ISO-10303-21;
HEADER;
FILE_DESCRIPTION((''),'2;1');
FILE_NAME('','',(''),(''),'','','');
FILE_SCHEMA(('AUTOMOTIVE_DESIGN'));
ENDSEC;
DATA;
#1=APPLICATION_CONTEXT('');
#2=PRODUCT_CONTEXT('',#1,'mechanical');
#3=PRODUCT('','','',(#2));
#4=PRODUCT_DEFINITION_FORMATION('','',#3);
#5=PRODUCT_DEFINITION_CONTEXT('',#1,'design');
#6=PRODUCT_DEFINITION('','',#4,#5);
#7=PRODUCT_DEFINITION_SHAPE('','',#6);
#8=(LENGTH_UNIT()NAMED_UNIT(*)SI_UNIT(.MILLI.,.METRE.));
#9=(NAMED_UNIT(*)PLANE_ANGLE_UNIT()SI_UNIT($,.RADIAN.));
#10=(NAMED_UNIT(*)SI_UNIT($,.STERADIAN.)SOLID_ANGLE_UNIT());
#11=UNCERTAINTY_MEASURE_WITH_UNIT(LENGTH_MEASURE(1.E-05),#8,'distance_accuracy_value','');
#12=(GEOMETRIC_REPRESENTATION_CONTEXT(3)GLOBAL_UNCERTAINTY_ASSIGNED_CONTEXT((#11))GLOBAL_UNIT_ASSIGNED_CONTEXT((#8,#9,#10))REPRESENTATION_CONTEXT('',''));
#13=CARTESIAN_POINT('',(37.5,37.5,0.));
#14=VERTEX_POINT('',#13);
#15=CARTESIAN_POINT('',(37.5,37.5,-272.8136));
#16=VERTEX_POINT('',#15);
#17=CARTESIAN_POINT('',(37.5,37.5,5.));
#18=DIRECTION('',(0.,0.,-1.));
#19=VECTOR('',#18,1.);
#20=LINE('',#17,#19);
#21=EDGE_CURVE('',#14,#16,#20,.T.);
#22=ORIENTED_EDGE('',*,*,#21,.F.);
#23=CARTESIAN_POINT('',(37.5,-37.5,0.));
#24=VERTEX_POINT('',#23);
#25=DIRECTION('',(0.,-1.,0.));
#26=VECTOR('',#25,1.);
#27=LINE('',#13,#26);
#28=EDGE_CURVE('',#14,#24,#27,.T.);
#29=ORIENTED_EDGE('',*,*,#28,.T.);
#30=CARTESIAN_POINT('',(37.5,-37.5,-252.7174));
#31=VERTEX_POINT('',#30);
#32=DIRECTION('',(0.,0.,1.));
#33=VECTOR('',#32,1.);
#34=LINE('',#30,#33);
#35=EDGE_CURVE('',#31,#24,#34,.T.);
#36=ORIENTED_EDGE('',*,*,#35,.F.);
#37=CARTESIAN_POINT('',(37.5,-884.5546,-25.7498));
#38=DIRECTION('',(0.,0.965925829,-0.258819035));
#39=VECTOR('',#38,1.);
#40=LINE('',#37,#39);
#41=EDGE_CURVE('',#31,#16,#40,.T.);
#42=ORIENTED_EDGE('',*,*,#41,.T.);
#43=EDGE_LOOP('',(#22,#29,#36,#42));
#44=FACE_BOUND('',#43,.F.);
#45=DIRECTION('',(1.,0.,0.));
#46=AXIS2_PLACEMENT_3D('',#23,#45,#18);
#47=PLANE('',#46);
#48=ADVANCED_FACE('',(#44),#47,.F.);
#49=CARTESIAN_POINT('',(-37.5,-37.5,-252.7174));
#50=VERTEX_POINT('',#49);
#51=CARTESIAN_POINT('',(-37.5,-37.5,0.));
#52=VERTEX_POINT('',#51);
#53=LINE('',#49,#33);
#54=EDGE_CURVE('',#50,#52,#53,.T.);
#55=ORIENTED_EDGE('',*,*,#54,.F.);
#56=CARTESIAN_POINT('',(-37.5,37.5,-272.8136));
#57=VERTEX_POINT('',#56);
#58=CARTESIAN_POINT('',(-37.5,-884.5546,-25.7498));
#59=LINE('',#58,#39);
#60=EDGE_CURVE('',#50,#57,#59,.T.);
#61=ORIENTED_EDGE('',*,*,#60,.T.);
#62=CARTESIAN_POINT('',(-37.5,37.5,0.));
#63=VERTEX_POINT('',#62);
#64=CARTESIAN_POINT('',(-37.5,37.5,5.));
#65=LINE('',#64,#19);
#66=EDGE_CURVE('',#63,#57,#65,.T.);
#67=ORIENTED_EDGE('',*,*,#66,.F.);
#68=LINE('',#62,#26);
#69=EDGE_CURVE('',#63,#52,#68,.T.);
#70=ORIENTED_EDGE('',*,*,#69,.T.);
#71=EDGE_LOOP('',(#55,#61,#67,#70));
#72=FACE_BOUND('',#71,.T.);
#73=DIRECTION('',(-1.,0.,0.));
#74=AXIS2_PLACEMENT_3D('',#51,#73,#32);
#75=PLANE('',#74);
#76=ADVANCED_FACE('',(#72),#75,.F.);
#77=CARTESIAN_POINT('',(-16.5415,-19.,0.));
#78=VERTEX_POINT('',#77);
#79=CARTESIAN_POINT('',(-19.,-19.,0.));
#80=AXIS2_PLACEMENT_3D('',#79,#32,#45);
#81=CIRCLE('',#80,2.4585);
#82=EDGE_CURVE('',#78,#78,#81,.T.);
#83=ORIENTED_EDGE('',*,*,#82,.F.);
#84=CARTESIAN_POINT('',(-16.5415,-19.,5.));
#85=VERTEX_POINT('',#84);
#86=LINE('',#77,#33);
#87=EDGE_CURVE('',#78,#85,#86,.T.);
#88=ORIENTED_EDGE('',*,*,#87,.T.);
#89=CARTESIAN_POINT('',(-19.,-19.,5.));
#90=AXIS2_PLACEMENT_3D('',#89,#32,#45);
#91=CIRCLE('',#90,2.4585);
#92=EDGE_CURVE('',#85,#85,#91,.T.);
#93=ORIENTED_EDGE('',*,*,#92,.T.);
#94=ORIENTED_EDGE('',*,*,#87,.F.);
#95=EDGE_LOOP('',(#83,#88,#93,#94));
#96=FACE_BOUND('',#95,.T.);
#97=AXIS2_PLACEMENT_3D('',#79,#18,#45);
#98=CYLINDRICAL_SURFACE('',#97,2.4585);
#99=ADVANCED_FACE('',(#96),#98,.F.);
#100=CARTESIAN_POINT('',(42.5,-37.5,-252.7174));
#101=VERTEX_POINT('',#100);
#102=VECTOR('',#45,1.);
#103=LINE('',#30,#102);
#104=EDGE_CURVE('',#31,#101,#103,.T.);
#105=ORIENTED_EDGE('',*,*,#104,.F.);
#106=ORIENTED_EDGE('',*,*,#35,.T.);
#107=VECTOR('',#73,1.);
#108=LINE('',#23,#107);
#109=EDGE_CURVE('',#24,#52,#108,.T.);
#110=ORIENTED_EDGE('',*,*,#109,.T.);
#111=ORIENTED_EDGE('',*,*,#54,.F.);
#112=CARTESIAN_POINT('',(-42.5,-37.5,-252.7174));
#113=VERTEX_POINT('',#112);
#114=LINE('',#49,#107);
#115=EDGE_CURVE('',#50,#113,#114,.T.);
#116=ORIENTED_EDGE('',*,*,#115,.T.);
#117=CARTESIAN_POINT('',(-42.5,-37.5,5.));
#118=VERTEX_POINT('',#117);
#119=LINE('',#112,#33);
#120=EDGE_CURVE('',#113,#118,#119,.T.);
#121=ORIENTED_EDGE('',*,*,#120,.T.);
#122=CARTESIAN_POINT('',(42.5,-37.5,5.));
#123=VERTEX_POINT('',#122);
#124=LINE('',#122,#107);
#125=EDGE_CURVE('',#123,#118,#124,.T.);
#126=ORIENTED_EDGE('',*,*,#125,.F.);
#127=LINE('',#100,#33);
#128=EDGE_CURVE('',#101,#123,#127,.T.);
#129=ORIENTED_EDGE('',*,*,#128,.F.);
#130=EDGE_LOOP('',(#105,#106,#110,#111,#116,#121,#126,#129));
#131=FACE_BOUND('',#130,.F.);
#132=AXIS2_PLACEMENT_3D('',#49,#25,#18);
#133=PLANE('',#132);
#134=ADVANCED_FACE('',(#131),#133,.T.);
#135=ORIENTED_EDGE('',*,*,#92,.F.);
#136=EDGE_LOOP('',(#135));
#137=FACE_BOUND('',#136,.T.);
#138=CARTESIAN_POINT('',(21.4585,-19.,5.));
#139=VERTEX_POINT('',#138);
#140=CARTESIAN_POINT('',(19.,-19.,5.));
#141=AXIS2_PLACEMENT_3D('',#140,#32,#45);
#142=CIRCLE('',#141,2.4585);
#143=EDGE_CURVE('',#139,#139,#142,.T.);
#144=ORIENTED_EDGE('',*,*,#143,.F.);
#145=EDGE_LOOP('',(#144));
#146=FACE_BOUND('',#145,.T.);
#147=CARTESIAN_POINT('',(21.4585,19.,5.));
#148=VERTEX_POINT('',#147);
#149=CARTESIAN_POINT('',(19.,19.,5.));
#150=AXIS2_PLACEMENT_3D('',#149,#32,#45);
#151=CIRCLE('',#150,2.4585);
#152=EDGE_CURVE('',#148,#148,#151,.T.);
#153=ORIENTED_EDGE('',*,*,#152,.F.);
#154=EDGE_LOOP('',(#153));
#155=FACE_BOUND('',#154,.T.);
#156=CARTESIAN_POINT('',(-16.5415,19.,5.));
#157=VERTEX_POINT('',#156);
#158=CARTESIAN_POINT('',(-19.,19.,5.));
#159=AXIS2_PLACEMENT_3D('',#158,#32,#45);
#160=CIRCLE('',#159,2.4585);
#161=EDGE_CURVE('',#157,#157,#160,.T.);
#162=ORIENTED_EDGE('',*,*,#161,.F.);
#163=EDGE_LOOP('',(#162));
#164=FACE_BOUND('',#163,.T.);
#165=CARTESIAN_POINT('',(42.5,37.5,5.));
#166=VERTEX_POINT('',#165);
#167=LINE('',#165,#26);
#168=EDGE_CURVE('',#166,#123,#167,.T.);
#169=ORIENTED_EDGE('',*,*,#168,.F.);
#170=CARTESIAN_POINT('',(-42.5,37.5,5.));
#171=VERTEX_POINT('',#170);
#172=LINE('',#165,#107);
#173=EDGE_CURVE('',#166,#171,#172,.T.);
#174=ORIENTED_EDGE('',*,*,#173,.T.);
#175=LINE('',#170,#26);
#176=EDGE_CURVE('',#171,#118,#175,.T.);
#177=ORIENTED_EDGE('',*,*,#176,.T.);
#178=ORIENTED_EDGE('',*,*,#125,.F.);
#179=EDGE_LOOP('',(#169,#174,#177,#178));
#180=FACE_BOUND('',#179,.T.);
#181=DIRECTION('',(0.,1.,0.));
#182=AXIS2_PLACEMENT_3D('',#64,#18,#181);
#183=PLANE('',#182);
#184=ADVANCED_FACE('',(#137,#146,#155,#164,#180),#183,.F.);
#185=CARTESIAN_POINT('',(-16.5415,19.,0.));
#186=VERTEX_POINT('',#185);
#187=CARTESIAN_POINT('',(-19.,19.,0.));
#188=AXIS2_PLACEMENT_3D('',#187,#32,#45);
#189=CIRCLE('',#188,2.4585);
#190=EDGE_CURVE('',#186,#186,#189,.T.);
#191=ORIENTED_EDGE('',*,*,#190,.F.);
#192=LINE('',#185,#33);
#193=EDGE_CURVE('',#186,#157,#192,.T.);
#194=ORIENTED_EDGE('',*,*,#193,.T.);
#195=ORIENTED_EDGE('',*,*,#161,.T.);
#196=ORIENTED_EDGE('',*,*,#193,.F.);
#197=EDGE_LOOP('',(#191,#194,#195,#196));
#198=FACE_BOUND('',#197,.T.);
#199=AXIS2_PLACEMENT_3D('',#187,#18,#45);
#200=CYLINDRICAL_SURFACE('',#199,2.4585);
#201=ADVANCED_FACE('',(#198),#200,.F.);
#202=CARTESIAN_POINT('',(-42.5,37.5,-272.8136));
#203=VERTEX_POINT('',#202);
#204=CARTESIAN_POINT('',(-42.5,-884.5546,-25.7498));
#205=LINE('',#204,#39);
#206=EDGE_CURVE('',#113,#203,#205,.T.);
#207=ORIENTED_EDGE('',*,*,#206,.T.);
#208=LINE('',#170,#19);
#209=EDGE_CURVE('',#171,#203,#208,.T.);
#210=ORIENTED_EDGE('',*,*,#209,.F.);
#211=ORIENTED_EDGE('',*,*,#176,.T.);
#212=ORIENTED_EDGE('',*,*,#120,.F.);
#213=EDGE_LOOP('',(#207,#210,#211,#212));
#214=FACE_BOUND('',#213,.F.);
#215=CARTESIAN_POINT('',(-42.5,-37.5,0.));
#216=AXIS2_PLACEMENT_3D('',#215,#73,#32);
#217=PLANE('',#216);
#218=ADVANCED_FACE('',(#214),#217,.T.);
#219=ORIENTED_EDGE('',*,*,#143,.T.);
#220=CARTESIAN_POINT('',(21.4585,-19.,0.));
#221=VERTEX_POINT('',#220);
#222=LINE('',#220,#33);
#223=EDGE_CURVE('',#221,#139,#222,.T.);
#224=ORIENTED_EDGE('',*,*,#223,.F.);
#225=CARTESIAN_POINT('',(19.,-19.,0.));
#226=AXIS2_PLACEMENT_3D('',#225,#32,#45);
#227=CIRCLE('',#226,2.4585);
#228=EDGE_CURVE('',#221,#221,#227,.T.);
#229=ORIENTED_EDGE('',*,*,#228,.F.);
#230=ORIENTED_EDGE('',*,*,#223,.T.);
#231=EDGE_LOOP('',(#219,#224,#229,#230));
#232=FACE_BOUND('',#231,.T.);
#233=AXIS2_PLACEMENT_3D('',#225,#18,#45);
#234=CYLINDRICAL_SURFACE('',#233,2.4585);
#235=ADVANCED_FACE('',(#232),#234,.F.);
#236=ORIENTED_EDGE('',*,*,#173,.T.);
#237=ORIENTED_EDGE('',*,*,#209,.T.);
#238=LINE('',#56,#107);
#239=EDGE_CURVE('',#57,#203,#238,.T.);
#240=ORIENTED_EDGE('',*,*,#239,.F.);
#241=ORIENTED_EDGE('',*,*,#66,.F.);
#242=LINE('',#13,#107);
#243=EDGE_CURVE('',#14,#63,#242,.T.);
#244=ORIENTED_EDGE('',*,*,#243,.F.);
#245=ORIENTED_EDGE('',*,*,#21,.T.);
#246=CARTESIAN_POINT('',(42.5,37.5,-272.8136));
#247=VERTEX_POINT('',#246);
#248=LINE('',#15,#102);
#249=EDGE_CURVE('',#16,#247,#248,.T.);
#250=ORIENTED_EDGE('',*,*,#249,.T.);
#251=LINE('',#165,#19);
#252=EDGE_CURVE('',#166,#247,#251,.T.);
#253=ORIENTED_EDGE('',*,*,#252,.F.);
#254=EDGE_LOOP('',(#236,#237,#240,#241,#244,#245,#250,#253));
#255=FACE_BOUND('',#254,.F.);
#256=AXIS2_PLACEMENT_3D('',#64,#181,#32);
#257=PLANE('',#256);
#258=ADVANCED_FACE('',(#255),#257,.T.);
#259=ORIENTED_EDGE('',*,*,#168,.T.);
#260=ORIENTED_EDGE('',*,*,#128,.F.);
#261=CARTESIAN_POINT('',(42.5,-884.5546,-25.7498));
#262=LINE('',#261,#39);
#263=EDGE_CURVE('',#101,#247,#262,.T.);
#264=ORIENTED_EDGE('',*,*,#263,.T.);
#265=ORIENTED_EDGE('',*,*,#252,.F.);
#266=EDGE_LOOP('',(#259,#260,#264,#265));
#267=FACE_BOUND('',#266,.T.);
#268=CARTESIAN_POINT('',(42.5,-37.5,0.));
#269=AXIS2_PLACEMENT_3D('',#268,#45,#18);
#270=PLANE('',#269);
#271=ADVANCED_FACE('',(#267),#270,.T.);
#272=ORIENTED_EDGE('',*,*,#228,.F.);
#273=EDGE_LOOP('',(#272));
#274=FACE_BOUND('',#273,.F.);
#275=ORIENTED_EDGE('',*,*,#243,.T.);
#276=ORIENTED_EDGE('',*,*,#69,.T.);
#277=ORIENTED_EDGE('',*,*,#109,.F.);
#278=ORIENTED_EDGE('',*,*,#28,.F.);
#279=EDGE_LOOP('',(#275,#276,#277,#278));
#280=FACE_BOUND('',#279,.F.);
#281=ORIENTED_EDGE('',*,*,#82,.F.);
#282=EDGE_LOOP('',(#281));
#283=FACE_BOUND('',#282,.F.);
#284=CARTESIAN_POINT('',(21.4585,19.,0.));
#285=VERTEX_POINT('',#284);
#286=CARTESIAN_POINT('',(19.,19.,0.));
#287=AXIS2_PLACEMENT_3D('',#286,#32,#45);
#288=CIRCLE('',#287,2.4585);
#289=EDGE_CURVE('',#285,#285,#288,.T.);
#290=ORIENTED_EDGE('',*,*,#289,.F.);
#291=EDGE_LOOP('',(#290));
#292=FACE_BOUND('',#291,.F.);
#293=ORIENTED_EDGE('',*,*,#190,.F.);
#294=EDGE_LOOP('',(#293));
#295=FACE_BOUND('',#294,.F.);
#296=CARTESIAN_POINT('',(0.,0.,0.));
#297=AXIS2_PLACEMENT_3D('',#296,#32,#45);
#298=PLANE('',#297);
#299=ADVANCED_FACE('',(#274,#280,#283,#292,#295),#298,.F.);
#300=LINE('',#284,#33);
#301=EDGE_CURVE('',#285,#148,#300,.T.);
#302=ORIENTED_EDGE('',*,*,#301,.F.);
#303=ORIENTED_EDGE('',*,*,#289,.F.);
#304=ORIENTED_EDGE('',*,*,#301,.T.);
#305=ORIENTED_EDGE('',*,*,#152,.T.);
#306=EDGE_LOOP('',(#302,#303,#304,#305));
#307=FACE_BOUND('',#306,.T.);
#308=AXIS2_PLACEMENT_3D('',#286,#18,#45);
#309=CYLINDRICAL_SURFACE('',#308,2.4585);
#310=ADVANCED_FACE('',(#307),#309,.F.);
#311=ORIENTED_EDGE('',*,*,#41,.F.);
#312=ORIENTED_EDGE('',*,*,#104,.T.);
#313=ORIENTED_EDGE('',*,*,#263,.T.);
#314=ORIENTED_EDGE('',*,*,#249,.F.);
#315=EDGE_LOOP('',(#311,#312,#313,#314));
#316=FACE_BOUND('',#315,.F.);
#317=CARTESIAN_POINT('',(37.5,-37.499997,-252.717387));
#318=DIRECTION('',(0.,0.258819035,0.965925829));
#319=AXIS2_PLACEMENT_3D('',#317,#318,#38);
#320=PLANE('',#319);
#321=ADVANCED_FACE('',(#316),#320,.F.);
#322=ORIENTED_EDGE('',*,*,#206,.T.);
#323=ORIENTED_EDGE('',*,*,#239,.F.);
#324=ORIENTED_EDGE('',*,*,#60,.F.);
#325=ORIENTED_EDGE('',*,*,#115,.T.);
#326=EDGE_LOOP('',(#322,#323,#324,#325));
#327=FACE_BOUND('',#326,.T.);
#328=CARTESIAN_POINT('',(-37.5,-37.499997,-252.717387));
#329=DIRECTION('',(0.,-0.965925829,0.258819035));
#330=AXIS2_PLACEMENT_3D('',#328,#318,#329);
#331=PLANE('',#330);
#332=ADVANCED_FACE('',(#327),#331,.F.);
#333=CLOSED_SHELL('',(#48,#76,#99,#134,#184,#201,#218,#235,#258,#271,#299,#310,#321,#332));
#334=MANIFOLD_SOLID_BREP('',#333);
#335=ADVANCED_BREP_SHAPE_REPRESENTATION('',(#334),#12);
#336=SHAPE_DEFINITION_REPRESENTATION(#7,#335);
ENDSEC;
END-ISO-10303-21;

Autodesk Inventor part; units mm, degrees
ref_plane "YZ Plane" through (0, 0, 0) normal (1, 0, 0) x (0, 1, 0)
ref_plane "XZ Plane" through (0, 0, 0) normal (0, 1, 0) x (-1, 0, 0)
ref_plane "XY Plane" through (0, 0, 0) normal (0, 0, 1) x (1, 0, 0)
sketch "Sketch1" plane through (0, 0, 0) normal (0, 0, 1) x (1, 0, 0)
  line L0 (-37.5, 37.5) -> (37.5, 37.5)
  line L1 (37.5, 37.5) -> (37.5, -37.5)
  line L2 (37.5, -37.5) -> (-37.5, -37.5)
  line L3 (-37.5, -37.5) -> (-37.5, 37.5)
  line L4 (-37.5, 37.5) -> (37.5, -37.5) construction
  line L5 (37.5, 37.5) -> (-37.5, -37.5) construction
  circle A0 centre (0, 0) radius 37.5 projected
  circle A1 centre (19, -19) radius 2.4585 projected
  circle A2 centre (19, 19) radius 2.4585 projected
  circle A3 centre (-19, 19) radius 2.4585 projected
  circle A4 centre (-19, -19) radius 2.4585 projected
  point P0 (0, 0)
extrude "Extrusion1" add sketch "Sketch1" along normal blind 5
sketch "Sketch2" plane through (37.5, -37.5, 0) normal (1, 0, 0) x (0, 0, -1)
  line L0 (25.7498, -847.0546) -> (318.6402, 246.0273) projected
  line L1 (-5, 75) -> (-5, 0) projected
  line L2 (-5, 75) -> (272.8136, 75)
  line L3 (252.7174, 0) -> (-5, 0)
  point P0 (0, 37.5)
extrude "Extrusion2" add sketch "Sketch2" along normal blind 5
mirror "Mirror1" about plane through (0, 0, 0) normal (1, 0, 0) of "Extrusion2"
properties part number "Soporte Cilindro Cortadora"
